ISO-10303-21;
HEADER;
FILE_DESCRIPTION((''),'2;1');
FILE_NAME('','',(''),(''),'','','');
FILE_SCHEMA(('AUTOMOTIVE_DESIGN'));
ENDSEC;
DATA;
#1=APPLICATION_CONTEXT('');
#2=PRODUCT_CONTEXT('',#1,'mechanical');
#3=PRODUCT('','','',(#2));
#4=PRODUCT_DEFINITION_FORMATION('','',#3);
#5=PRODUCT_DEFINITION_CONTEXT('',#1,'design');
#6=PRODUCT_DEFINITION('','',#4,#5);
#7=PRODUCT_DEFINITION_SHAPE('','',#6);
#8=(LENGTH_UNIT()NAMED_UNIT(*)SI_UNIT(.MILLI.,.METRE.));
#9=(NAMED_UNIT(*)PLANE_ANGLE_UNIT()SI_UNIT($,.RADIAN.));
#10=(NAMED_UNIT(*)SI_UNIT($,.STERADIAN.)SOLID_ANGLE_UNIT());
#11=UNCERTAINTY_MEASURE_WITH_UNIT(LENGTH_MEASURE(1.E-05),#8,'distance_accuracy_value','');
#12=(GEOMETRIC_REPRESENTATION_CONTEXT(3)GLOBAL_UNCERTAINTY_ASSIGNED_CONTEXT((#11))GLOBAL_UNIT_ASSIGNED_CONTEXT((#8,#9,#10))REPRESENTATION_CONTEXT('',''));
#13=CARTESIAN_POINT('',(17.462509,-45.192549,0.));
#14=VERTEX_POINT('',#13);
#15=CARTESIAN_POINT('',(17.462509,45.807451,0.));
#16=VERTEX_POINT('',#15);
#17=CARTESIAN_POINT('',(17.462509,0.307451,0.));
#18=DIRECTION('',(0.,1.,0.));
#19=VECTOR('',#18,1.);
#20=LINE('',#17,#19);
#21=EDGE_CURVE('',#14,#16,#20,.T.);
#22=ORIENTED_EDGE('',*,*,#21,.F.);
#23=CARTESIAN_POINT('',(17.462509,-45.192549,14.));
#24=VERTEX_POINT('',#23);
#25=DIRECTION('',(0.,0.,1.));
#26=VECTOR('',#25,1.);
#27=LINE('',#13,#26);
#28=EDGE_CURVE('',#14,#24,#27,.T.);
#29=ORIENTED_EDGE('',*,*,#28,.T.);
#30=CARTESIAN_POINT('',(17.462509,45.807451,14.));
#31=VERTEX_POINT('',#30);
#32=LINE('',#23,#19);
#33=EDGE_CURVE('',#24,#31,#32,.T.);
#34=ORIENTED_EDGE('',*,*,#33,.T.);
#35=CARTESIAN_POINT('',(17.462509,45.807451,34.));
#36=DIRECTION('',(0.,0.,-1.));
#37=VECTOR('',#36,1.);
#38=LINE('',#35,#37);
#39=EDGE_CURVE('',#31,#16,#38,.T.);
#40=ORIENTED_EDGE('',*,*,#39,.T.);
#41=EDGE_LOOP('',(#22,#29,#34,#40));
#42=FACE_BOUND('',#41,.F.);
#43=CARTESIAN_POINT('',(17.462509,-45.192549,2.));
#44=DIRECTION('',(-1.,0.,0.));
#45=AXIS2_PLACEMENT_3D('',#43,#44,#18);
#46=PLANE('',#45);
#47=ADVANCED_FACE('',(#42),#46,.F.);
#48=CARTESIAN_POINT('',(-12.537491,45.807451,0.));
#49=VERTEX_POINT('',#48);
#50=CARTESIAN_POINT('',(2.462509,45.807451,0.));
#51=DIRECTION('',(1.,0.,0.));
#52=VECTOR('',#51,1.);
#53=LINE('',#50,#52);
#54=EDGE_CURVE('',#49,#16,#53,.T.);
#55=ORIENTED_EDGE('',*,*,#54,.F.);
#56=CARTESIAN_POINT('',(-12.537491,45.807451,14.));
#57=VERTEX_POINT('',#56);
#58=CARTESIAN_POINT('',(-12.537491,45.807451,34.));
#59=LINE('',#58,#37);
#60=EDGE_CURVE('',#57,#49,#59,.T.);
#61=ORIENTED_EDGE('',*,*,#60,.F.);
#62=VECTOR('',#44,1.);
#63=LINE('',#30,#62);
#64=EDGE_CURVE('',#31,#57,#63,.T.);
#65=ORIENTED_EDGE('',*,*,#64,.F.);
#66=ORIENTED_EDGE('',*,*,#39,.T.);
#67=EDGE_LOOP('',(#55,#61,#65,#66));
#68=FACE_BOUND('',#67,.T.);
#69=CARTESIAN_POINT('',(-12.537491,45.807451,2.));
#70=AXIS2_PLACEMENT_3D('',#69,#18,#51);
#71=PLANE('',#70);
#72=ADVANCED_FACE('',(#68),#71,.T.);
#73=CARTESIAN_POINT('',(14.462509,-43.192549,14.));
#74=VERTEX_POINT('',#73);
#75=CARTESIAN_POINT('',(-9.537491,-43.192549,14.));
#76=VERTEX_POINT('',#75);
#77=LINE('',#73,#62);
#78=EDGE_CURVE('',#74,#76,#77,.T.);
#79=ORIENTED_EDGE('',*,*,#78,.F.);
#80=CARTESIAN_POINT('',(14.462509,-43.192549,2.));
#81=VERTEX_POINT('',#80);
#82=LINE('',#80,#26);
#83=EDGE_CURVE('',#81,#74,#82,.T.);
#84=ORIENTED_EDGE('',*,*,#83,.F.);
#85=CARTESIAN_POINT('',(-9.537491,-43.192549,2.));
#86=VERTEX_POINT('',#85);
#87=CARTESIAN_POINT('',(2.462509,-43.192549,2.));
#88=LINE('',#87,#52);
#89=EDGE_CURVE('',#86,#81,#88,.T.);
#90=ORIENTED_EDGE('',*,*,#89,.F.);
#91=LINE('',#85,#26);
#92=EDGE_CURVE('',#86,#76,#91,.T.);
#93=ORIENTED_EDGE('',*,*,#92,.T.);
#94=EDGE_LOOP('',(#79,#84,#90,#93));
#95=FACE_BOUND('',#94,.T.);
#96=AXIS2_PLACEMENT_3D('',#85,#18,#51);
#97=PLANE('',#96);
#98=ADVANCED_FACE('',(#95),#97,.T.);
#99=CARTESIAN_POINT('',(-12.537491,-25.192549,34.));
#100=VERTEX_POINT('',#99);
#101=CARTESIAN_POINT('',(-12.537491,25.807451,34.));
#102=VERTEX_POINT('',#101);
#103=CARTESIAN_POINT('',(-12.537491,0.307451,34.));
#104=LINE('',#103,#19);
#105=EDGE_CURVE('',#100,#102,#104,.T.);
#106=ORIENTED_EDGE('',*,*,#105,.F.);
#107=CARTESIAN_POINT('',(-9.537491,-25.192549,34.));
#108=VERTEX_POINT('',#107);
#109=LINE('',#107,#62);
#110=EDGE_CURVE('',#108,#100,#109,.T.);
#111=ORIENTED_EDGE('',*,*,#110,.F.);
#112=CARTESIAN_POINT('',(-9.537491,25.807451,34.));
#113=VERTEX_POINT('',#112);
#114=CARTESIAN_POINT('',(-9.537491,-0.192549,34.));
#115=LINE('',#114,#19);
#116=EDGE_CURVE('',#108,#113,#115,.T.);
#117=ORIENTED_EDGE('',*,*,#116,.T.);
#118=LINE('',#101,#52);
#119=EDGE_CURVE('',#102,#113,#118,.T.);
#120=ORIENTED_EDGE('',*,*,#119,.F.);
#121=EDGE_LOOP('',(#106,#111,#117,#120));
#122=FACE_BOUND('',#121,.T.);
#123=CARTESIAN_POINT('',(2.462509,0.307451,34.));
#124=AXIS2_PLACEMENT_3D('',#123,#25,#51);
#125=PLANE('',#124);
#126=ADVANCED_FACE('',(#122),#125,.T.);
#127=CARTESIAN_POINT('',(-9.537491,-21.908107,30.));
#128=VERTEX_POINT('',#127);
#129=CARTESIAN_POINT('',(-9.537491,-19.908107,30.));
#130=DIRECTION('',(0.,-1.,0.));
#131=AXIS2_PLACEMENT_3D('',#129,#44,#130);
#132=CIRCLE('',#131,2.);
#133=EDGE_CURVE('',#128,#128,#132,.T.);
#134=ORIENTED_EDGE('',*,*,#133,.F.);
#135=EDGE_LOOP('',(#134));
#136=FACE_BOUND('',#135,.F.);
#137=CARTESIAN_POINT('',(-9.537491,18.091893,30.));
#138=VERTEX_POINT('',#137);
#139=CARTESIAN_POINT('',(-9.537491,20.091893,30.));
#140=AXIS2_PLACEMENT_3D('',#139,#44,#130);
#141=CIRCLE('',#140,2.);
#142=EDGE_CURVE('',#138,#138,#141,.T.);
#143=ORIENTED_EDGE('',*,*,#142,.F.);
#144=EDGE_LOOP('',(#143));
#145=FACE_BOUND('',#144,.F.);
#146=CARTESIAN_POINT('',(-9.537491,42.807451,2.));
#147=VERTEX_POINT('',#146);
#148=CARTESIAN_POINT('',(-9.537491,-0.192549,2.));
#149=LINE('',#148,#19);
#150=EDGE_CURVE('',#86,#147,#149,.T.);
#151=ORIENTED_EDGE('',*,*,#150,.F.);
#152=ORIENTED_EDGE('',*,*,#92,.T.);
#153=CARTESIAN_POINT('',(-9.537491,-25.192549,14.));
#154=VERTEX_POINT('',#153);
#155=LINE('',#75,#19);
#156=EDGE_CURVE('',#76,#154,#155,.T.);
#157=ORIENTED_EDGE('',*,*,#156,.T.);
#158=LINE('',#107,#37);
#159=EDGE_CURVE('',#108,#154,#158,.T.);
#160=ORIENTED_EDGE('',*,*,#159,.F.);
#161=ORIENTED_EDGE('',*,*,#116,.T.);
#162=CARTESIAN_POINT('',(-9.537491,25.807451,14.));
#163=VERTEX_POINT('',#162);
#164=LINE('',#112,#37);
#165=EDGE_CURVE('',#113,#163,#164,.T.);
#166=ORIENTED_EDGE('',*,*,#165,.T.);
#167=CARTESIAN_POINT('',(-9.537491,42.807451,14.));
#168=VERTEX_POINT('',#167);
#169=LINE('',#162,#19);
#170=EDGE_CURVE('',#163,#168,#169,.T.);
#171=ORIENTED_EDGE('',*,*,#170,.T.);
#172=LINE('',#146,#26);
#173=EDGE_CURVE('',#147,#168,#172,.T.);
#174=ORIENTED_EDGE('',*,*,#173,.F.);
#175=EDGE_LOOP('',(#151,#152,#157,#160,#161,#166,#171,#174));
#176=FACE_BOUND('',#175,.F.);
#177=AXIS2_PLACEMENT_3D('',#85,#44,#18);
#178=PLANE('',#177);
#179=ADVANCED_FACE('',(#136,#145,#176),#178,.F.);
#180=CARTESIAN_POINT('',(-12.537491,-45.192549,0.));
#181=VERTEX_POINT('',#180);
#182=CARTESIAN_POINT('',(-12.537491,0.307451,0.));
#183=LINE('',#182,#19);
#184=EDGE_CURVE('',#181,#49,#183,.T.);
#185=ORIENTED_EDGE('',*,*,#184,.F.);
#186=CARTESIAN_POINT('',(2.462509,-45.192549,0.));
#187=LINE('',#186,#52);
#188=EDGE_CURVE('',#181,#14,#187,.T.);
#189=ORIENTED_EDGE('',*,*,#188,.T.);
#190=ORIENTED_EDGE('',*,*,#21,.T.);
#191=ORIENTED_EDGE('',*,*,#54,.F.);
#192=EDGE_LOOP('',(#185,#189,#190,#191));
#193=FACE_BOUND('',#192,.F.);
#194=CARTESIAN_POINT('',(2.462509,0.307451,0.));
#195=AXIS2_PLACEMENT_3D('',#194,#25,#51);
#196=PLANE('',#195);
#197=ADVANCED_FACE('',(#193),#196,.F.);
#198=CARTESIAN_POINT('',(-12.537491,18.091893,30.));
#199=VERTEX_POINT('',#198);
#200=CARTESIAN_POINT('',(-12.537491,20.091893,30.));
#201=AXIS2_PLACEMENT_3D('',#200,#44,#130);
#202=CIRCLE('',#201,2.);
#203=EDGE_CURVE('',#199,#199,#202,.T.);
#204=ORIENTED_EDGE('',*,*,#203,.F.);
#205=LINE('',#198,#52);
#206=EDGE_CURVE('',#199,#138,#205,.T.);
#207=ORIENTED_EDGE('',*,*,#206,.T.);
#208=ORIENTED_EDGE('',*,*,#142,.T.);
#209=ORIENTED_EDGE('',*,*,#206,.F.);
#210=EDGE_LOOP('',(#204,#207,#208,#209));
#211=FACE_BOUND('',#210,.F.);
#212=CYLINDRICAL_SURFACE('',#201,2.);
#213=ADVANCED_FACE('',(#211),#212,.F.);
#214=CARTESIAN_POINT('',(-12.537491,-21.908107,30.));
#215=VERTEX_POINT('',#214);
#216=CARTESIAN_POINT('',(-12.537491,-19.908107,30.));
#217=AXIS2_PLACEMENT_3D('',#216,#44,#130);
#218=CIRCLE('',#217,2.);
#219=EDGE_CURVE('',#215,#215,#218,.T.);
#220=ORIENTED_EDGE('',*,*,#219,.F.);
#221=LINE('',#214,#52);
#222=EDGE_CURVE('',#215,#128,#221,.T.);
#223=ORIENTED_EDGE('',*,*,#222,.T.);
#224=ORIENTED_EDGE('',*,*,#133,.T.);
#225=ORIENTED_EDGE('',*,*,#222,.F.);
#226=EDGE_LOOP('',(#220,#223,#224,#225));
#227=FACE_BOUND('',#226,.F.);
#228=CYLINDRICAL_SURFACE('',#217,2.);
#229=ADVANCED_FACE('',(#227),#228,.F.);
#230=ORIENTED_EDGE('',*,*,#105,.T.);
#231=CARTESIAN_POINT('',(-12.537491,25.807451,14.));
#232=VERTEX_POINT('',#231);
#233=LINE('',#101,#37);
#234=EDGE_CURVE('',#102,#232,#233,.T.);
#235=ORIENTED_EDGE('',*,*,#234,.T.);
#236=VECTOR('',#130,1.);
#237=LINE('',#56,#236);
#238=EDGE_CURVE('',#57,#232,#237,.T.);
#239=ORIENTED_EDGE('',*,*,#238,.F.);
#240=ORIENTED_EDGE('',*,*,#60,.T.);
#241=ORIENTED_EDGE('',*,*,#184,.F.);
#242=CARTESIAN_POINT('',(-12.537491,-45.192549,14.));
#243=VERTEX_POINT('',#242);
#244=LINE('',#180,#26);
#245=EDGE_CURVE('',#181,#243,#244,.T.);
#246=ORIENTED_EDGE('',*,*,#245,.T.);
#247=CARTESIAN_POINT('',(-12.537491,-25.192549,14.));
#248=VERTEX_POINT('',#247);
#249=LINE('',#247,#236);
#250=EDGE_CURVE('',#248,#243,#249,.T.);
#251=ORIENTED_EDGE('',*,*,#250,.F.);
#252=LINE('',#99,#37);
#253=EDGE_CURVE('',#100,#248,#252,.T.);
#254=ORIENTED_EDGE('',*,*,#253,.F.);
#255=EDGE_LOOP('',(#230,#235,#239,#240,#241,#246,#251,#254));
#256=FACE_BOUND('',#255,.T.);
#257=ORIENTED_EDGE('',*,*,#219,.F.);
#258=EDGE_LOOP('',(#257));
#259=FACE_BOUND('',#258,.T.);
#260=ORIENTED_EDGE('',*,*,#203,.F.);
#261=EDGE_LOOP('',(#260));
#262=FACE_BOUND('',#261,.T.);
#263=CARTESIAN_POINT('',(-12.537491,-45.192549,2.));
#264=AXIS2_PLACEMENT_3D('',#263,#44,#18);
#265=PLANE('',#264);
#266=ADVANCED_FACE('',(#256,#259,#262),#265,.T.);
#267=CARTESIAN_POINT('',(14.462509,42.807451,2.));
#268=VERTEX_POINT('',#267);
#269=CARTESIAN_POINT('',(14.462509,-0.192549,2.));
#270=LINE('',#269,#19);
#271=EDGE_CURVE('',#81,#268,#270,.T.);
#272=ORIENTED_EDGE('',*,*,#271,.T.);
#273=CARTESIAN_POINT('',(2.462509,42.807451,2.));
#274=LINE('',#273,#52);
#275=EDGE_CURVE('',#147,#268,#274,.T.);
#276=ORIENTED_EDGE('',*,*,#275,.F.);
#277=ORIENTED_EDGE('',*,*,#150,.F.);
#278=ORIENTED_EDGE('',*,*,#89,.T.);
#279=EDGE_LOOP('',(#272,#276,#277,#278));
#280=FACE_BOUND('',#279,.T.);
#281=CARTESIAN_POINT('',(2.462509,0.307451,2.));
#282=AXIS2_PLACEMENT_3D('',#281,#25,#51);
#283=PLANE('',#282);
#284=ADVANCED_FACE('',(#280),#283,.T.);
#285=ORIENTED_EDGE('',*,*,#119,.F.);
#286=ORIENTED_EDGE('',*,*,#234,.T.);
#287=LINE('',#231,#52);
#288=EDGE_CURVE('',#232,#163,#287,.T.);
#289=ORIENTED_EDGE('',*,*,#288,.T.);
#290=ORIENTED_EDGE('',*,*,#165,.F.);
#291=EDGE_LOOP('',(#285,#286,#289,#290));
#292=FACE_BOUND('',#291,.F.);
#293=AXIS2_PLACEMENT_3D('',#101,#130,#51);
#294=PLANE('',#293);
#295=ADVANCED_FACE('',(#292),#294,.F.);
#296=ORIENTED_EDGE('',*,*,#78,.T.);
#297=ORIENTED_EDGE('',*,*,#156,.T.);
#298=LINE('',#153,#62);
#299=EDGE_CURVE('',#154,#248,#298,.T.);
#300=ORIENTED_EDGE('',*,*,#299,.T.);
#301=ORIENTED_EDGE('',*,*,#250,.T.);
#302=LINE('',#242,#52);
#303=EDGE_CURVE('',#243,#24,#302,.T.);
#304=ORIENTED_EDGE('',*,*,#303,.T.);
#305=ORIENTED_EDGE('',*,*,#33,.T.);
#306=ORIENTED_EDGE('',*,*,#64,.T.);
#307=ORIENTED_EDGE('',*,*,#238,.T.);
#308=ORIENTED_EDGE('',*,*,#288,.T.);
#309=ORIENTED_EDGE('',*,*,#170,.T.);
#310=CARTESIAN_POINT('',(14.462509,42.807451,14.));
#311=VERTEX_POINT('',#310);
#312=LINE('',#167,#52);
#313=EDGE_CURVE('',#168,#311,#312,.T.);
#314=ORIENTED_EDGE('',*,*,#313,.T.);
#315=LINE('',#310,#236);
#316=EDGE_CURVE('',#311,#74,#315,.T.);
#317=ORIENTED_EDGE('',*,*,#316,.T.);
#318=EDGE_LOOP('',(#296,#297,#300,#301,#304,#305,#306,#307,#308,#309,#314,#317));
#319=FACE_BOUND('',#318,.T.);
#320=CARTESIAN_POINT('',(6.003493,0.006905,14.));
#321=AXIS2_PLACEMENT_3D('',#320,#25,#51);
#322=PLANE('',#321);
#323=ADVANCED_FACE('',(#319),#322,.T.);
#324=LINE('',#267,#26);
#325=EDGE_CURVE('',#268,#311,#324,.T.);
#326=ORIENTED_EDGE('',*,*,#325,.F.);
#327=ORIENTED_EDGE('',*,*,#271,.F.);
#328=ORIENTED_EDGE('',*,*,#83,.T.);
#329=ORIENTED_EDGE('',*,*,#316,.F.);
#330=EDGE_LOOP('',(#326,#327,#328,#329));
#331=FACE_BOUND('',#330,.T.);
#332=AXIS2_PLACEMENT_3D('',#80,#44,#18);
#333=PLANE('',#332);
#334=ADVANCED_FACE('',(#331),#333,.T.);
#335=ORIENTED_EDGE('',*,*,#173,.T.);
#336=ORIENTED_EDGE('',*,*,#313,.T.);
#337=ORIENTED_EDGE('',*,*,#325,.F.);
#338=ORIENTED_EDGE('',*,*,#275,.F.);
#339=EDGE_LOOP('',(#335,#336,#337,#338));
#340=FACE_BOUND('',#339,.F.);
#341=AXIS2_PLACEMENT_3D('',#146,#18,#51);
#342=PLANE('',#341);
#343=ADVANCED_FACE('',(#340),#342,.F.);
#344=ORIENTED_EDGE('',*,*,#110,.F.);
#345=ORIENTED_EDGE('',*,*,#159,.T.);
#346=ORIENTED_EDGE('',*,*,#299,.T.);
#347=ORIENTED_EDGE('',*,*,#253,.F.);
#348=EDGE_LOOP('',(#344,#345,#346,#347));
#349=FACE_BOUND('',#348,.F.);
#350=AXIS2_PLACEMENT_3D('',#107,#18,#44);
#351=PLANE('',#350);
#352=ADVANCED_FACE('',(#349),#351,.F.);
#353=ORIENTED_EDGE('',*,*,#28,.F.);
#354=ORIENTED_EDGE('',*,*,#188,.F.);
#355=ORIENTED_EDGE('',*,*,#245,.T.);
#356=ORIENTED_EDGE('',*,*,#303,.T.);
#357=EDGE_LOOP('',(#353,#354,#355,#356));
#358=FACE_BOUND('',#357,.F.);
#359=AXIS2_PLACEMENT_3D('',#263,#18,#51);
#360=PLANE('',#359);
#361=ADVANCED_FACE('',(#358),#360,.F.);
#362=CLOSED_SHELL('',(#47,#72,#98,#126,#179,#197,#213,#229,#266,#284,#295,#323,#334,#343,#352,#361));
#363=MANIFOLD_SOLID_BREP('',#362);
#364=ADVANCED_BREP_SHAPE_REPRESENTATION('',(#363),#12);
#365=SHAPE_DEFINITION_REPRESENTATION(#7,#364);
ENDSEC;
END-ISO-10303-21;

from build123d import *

# Parameters (mm, degrees)
F0_W     = 30
F0_H     = 91
F1_DEPTH = 2
F2_W     = 30
F2_H     = 91
F2_W_2   = 24
F2_H_2   = 86
F3_DEPTH = 32
F4_R     = 2
F5_DEPTH = 25
F7_DEPTH = 20


with BuildPart() as f1:
    # F0 (on Top) → F1 (new body)
    with BuildSketch(Plane.XY):
        with Locations((2.462509, 0.307451)):
            Rectangle(F0_W, F0_H)
    extrude(amount=F1_DEPTH)

    # F2 (on face) → F3 (join)
    with BuildSketch(Plane.XY.offset(2)):
        with Locations((2.462509, 0.307451)):
            Rectangle(F2_W, F2_H)
        with Locations((2.462509, -0.192549)):
            Rectangle(F2_W_2, F2_H_2, mode=Mode.SUBTRACT)
    extrude(amount=F3_DEPTH)

    # F4 (on face) → F5 (cut)
    with BuildSketch(Plane(origin=(-12.537491, 0, 0), x_dir=(0, -1, 0), z_dir=(-1, 0, 0))):
        with Locations((-20.091893, 30)):
            Circle(F4_R)
        with Locations((19.908107, 30)):
            Circle(F4_R)
    extrude(amount=-F5_DEPTH, mode=Mode.SUBTRACT)

    # F6 (on face) → F7 (cut)
    with BuildSketch(Plane.XY.offset(34)):
        Polygon((-12.537491, 45.807451), (-12.537491, 25.807451), (-9.537491, 25.807451), (-9.537491, 42.807451), (14.462509, 42.807451), (14.462509, -43.192549), (-9.537491, -43.192549), (-9.537491, -25.192549), (-12.537491, -25.192549), (-12.537491, -45.192549), (17.462509, -45.192549), (17.462509, 45.807451), align=None)
    extrude(amount=-F7_DEPTH, mode=Mode.SUBTRACT)


solid = f1.part
